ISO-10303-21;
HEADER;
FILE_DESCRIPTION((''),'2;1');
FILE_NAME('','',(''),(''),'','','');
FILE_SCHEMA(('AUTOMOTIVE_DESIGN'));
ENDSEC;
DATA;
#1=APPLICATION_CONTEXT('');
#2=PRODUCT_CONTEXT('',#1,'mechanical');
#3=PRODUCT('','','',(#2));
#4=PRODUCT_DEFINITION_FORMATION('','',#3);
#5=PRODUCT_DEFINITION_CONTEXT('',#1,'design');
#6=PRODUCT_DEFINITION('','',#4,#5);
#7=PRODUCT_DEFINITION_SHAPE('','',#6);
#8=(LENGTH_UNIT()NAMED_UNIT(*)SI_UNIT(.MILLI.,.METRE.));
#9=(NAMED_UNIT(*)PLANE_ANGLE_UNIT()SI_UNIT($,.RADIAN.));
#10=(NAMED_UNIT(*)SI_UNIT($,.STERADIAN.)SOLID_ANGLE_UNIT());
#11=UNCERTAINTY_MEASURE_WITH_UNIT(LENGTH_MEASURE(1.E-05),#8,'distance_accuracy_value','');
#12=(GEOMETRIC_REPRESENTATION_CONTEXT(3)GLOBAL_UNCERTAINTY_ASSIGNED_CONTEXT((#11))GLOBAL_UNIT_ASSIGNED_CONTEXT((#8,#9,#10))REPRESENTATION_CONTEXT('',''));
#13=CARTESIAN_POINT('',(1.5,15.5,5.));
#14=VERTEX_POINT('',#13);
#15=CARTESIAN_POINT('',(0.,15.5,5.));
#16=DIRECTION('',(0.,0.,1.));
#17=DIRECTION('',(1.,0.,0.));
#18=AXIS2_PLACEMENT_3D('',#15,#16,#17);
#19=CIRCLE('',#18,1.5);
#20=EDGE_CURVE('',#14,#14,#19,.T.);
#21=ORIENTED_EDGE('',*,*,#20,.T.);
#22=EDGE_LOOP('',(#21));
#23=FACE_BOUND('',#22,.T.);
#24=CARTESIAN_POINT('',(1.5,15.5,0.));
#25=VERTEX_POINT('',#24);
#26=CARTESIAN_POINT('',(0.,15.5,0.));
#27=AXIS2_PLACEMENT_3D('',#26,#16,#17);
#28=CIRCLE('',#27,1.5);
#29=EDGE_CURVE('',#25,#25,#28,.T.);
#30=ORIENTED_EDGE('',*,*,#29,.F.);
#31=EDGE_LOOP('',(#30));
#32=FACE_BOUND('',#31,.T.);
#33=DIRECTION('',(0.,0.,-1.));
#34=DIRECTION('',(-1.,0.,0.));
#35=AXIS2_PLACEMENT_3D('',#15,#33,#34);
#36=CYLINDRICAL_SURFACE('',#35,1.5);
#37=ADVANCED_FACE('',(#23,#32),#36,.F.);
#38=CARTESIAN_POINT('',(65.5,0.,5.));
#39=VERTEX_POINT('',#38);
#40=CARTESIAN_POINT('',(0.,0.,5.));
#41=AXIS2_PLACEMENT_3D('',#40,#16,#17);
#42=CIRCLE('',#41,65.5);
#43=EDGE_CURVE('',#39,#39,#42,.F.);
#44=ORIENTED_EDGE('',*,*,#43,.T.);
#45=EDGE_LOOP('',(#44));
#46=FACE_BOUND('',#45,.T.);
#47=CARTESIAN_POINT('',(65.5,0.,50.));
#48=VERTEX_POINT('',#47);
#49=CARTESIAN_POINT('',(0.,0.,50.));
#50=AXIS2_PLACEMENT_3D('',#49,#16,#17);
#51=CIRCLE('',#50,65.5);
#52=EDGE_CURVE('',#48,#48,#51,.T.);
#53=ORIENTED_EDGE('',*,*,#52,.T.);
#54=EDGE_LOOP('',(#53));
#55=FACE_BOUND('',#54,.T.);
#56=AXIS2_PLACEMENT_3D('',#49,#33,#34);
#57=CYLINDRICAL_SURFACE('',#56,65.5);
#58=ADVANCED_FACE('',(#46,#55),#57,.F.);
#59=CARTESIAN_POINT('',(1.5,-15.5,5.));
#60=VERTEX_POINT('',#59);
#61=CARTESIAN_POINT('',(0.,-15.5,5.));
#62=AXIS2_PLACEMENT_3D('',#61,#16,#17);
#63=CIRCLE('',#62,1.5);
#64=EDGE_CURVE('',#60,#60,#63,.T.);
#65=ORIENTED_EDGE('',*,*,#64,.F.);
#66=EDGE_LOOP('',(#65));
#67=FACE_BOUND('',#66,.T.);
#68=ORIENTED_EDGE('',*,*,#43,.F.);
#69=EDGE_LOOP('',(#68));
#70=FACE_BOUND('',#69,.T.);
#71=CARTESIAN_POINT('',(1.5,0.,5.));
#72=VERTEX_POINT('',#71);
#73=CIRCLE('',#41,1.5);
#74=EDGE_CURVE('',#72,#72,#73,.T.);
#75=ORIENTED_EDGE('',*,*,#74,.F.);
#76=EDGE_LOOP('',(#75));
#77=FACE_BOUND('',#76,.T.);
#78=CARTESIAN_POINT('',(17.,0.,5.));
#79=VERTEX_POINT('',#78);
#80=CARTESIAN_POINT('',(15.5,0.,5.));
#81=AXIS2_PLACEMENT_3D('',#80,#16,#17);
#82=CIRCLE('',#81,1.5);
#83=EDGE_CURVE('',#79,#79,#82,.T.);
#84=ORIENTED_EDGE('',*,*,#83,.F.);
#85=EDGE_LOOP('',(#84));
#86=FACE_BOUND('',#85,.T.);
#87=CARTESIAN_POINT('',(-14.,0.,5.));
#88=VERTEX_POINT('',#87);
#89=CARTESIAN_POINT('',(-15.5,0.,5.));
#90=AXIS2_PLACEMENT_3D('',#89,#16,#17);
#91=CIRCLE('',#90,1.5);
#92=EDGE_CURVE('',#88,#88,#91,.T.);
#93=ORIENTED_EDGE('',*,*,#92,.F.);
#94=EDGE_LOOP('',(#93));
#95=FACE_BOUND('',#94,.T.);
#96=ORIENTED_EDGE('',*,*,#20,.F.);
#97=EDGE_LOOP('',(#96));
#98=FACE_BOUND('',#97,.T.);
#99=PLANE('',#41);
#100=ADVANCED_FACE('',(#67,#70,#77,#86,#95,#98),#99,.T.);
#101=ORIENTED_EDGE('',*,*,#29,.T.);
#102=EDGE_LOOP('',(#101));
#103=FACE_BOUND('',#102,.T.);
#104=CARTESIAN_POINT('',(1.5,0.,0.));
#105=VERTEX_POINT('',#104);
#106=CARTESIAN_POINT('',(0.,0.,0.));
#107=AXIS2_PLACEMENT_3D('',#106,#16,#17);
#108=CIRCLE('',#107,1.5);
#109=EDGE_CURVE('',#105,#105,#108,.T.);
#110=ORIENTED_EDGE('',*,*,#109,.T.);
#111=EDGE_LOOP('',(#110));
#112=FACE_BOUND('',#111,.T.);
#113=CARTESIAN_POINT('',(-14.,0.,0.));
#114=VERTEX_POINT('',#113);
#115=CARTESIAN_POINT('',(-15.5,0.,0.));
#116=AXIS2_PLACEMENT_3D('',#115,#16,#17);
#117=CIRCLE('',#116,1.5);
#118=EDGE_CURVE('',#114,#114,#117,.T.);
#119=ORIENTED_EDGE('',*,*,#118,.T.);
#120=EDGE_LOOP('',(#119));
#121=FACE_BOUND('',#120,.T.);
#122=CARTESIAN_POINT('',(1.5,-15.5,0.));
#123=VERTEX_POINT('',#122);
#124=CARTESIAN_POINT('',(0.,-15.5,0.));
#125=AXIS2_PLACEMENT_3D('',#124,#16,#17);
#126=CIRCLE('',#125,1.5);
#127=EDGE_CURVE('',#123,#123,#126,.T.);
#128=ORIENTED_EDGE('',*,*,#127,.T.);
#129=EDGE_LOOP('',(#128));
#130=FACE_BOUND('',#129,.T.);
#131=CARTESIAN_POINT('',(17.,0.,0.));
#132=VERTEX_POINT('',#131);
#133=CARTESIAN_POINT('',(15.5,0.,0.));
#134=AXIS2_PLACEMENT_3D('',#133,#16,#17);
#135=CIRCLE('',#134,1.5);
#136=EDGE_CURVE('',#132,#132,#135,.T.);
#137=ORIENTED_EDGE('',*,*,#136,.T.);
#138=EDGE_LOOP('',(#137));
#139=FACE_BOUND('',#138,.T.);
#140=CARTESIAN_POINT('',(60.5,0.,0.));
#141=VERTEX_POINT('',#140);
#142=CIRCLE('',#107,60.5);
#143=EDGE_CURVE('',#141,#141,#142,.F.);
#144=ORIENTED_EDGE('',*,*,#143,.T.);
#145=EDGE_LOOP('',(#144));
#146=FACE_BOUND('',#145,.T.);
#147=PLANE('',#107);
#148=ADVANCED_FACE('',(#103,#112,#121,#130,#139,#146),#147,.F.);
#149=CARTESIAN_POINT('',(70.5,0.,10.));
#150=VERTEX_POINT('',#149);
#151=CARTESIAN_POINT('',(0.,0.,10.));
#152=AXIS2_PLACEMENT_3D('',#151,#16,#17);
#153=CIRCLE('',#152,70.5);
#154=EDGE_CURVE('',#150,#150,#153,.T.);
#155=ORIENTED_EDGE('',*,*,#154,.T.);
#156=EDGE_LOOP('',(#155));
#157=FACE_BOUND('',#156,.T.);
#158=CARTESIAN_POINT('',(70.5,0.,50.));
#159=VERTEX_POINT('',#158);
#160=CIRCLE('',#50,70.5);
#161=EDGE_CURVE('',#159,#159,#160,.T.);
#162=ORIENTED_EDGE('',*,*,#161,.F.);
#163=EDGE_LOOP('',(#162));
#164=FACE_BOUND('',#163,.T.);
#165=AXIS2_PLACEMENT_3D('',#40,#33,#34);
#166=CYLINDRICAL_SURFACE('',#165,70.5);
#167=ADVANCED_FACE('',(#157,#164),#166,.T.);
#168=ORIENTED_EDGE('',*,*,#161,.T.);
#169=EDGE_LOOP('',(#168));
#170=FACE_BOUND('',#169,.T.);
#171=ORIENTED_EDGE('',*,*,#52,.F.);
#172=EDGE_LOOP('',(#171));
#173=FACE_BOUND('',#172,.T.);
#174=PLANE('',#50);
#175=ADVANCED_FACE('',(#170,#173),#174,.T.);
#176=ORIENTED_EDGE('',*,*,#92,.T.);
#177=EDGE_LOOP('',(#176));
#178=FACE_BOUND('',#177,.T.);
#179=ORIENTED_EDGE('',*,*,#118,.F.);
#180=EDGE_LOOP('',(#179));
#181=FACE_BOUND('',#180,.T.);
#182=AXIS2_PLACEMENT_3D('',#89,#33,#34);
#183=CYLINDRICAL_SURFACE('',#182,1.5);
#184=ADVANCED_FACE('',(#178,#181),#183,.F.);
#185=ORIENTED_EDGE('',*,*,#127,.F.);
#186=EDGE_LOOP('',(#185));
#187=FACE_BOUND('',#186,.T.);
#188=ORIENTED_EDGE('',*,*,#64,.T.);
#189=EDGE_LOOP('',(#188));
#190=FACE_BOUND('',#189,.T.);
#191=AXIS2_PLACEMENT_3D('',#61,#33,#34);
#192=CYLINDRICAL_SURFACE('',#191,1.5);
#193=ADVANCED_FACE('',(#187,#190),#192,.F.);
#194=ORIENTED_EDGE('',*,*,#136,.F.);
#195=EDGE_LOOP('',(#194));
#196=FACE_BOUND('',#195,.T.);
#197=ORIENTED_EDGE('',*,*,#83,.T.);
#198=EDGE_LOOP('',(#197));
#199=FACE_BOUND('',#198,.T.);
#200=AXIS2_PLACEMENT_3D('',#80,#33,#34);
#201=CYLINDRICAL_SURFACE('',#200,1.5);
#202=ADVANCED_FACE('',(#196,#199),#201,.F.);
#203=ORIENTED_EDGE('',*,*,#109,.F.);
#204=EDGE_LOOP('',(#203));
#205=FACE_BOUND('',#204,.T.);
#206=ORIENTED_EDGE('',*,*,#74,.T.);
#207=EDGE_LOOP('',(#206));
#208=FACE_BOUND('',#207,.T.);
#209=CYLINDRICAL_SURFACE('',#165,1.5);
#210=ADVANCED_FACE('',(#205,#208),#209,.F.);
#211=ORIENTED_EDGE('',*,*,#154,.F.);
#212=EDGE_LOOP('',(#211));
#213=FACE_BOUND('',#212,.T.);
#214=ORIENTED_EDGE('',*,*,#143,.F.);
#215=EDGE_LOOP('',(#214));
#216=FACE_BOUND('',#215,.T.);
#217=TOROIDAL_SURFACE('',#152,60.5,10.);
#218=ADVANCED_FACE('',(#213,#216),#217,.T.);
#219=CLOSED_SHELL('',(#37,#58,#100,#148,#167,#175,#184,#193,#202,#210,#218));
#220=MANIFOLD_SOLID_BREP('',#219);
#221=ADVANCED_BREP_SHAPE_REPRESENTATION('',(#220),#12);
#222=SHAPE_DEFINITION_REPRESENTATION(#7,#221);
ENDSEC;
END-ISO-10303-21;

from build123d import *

# Parameters (mm, degrees)
CROQUIS1_R              = 70.5
CROQUIS1_R_2            = 1.5
SALIENTE_EXTRUIR1_DEPTH = 5
CROQUIS1_10_R           = 70.5
CROQUIS1_10_R_2         = 65.5
SALIENTE_EXTRUIR2_DEPTH = 50
REDONDEO1_R             = 10


with BuildPart() as part:
    # Croquis1 → Saliente-Extruir1 (new body)
    with BuildSketch(Plane.XY):
        Circle(CROQUIS1_R)
        with Locations((0, -15.5)):
            Circle(CROQUIS1_R_2, mode=Mode.SUBTRACT)
        with Locations((15.5, 0)):
            Circle(CROQUIS1_R_2, mode=Mode.SUBTRACT)
        with Locations((-15.5, 0)):
            Circle(CROQUIS1_R_2, mode=Mode.SUBTRACT)
        Circle(CROQUIS1_R_2, mode=Mode.SUBTRACT)
        with Locations((0, 15.5)):
            Circle(CROQUIS1_R_2, mode=Mode.SUBTRACT)
    extrude(amount=SALIENTE_EXTRUIR1_DEPTH)

    # Croquis1<10> → Saliente-Extruir2 (add)
    with BuildSketch(Plane.XY):
        Circle(CROQUIS1_10_R)
        Circle(CROQUIS1_10_R_2, mode=Mode.SUBTRACT)
    extrude(amount=SALIENTE_EXTRUIR2_DEPTH)

    # Redondeo1
    redondeo1_edges = [part.edges().sort_by_distance(p)[0] for p in [
        (-70.5, 0, 0),
    ]]
    fillet(redondeo1_edges, radius=REDONDEO1_R)


solid = part.part
